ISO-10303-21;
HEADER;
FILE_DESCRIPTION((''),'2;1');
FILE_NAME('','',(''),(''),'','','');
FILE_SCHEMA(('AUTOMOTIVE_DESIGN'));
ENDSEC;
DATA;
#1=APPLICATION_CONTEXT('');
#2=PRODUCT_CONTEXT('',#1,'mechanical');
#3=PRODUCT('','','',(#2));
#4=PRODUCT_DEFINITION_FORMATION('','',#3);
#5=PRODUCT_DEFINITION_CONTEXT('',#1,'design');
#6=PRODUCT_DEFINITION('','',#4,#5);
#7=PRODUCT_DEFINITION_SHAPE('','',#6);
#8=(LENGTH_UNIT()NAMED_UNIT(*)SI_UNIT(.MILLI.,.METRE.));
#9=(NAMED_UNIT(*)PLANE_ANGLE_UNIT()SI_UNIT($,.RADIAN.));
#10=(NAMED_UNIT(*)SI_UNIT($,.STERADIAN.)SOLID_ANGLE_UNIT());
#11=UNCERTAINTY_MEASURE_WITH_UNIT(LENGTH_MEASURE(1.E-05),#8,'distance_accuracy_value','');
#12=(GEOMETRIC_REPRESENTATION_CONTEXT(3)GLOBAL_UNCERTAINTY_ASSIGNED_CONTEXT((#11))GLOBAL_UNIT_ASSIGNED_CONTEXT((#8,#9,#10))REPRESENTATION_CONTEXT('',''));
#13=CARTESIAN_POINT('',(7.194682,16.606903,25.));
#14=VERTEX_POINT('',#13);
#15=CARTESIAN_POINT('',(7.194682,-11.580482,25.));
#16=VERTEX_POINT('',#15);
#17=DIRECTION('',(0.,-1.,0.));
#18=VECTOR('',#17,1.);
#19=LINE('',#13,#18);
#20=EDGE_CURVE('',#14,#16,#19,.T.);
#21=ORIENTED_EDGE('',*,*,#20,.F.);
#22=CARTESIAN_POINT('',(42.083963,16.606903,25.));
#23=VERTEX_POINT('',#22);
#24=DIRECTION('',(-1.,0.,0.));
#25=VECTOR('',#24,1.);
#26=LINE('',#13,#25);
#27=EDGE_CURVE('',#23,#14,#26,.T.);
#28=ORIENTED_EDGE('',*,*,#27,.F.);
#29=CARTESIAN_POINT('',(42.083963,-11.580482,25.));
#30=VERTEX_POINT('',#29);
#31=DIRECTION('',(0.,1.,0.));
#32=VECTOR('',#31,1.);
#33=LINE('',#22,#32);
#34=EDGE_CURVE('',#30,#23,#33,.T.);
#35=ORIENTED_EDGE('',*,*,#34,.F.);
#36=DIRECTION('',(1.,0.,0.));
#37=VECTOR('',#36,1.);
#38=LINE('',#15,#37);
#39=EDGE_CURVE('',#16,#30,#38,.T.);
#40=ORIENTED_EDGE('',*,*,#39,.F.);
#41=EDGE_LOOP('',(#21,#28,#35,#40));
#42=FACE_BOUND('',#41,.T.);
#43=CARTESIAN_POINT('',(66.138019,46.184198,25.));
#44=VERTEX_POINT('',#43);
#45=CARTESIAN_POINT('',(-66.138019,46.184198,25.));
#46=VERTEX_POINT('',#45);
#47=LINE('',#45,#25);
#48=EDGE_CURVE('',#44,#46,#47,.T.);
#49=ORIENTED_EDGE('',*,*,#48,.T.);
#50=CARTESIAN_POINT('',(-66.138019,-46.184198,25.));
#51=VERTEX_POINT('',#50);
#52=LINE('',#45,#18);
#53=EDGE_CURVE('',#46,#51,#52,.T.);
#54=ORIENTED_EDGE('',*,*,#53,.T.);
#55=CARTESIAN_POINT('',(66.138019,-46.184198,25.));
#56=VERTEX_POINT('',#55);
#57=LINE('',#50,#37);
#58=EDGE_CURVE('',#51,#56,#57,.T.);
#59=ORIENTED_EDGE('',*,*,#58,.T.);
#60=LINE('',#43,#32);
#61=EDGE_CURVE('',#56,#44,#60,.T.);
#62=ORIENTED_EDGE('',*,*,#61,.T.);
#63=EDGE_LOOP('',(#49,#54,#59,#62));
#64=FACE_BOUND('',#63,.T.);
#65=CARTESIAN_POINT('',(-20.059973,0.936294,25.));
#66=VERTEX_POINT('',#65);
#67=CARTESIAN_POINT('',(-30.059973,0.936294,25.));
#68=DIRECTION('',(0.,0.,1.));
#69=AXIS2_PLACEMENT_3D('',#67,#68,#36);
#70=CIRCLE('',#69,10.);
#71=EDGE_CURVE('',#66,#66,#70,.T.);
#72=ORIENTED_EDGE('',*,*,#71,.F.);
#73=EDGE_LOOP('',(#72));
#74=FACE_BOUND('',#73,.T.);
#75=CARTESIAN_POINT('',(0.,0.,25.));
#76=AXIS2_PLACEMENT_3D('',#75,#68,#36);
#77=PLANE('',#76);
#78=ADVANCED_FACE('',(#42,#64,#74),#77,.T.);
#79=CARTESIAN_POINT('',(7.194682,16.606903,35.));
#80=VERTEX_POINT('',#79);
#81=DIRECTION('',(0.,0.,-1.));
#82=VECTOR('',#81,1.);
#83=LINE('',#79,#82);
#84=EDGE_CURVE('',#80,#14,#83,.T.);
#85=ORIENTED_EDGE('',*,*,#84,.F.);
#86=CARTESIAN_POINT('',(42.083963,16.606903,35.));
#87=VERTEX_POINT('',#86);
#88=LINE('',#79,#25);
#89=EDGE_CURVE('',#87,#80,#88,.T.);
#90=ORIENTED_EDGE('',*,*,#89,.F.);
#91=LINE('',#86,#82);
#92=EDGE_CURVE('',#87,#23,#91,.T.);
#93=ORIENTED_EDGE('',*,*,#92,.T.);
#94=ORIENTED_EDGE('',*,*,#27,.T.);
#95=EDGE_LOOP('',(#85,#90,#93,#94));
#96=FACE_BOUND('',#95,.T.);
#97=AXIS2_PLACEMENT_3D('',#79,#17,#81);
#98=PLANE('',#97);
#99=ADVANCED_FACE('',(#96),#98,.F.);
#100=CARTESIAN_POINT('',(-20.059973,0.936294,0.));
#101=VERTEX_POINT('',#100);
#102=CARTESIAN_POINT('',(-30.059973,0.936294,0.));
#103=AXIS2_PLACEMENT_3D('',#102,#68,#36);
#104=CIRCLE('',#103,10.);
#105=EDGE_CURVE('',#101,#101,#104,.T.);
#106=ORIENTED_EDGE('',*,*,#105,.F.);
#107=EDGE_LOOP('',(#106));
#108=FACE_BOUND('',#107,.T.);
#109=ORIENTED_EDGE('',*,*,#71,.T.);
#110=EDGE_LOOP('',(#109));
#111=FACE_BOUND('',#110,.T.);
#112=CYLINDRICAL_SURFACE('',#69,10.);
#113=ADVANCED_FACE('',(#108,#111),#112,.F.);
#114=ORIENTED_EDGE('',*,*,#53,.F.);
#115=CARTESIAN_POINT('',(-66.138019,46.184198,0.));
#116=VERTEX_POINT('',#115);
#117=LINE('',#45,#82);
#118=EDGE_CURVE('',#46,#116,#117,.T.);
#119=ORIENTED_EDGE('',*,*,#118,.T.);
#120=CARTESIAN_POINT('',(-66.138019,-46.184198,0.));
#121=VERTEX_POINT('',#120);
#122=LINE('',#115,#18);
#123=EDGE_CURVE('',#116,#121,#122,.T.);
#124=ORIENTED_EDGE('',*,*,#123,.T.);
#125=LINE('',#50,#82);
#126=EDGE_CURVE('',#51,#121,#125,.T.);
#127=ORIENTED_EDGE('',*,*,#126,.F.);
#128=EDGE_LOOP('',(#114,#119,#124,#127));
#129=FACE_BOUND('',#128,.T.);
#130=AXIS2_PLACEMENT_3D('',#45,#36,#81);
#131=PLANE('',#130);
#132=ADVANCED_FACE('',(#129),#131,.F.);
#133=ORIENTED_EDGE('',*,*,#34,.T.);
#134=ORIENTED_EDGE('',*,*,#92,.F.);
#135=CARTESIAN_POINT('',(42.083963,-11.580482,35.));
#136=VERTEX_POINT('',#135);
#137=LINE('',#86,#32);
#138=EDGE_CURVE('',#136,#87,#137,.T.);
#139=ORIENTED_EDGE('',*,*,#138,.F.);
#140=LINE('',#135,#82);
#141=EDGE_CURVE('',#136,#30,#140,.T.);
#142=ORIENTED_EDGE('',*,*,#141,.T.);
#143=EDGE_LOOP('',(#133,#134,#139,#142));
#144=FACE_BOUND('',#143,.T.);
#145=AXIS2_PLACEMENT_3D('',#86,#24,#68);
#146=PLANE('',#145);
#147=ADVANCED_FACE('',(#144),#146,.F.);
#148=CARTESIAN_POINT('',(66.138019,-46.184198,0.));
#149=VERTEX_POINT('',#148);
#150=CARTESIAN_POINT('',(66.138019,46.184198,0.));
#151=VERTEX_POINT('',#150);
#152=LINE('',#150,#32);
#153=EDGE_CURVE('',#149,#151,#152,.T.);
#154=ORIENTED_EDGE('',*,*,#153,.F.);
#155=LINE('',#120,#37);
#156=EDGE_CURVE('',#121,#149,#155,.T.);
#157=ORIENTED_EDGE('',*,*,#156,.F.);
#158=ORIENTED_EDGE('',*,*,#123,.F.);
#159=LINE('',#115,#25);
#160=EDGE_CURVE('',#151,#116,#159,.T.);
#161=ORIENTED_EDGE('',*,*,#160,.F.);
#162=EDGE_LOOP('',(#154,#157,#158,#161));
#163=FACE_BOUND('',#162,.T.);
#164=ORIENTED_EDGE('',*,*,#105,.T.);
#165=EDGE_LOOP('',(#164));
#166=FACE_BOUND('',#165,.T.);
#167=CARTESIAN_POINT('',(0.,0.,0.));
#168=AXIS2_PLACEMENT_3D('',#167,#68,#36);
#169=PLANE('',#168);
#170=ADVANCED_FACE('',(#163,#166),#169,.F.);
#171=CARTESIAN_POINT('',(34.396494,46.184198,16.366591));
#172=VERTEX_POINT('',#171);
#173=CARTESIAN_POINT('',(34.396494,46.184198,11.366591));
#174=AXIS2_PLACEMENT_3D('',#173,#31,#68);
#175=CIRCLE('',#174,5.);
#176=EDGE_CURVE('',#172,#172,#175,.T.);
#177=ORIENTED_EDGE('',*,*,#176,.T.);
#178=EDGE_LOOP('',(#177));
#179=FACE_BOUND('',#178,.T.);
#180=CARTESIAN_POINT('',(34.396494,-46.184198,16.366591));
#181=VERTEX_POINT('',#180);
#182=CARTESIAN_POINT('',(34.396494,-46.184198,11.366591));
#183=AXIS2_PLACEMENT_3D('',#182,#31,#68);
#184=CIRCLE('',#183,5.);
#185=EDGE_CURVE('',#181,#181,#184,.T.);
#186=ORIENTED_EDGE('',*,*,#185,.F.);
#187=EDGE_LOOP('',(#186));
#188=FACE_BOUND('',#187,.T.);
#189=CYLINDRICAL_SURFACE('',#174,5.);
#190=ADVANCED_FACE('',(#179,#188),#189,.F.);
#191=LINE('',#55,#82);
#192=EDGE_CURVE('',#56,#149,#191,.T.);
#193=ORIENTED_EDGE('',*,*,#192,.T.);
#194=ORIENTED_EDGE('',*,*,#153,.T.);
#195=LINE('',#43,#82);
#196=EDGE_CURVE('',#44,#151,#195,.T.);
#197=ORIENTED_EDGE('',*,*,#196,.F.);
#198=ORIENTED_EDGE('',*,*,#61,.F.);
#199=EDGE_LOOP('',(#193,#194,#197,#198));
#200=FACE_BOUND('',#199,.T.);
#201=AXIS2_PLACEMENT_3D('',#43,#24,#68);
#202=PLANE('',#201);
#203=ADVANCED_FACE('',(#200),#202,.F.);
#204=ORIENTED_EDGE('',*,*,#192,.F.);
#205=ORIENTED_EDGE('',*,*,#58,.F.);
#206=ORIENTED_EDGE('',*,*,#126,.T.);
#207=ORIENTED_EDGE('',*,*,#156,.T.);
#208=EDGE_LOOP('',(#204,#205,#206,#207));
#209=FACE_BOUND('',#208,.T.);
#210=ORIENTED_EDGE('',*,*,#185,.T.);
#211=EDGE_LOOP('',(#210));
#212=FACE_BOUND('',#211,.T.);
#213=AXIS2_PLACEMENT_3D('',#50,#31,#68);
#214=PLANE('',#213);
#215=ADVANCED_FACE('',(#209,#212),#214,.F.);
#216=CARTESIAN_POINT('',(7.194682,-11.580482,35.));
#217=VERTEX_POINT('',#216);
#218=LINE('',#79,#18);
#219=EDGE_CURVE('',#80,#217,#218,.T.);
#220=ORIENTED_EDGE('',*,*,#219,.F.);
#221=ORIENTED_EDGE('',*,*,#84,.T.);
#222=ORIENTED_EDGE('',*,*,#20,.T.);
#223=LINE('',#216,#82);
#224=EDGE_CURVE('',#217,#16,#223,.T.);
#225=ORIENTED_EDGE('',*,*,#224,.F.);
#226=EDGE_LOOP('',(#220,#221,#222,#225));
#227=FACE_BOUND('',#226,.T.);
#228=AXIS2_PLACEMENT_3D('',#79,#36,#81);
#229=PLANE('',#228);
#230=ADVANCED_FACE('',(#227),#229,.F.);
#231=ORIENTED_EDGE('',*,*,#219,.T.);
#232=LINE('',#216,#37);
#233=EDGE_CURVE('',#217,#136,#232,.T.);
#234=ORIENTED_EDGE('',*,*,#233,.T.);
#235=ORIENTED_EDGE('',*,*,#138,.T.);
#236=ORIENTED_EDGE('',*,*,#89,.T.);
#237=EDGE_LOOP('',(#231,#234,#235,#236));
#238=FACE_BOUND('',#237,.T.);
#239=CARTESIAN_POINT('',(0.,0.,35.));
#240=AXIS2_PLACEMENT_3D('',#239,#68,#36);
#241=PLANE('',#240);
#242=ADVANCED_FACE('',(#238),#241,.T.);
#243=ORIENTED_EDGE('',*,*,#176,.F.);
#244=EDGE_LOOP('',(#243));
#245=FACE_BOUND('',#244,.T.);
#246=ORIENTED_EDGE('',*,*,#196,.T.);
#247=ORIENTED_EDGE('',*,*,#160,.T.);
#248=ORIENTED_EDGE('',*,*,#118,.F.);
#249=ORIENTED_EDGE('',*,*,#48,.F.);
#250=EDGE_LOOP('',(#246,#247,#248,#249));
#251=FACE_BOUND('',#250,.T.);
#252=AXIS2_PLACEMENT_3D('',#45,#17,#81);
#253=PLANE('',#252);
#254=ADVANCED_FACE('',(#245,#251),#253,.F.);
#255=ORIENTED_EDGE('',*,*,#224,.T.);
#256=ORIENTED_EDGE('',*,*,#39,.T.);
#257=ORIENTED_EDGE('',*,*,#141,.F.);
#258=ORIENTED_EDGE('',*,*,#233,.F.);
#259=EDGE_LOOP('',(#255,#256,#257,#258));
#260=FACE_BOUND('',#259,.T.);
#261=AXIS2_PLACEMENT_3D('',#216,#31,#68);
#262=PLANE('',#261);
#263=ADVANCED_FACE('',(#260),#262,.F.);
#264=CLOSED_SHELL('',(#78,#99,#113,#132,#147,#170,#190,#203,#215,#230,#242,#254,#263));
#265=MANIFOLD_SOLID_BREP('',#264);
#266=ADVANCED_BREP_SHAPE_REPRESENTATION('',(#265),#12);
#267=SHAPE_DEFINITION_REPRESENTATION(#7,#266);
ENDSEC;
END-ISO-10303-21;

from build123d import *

# Parameters (mm, degrees)
SKETCH1_W              = 132.276038998
SKETCH1_H              = 92.368395504
BOSS_EXTRUDE1_DEPTH    = 25
F_20_0MM_DOWEL_HOLE1_D = 20
F_10_0MM_DOWEL_HOLE1_D = 10
SKETCH8_W              = 34.889280452
SKETCH8_H              = 28.187384772
BOSS_EXTRUDE2_DEPTH    = 10


with BuildPart() as part:
    # Sketch1 → Boss-Extrude1 (new body)
    with BuildSketch(Plane.XY):
        Rectangle(SKETCH1_W, SKETCH1_H)
    extrude(amount=BOSS_EXTRUDE1_DEPTH)

    # Ø20.0mm Dowel Hole1 (through all)
    with Locations(Plane.XY.offset(25)):
        with Locations((-30.059973271, 0.936294249)):
            Hole(F_20_0MM_DOWEL_HOLE1_D / 2)

    # Ø10.0mm Dowel Hole1 (through all)
    with Locations(Plane(origin=(0, 46.184197752, 0), x_dir=(1, 0, 0), z_dir=(0, 1, 0))):
        with Locations((34.396494005, -11.366591172)):
            Hole(F_10_0MM_DOWEL_HOLE1_D / 2)

    # Sketch8 → Boss-Extrude2 (add)
    with BuildSketch(Plane.XY.offset(25)):
        with Locations((24.639322353, 2.51321088)):
            Rectangle(SKETCH8_W, SKETCH8_H)
    extrude(amount=BOSS_EXTRUDE2_DEPTH)


solid = part.part
